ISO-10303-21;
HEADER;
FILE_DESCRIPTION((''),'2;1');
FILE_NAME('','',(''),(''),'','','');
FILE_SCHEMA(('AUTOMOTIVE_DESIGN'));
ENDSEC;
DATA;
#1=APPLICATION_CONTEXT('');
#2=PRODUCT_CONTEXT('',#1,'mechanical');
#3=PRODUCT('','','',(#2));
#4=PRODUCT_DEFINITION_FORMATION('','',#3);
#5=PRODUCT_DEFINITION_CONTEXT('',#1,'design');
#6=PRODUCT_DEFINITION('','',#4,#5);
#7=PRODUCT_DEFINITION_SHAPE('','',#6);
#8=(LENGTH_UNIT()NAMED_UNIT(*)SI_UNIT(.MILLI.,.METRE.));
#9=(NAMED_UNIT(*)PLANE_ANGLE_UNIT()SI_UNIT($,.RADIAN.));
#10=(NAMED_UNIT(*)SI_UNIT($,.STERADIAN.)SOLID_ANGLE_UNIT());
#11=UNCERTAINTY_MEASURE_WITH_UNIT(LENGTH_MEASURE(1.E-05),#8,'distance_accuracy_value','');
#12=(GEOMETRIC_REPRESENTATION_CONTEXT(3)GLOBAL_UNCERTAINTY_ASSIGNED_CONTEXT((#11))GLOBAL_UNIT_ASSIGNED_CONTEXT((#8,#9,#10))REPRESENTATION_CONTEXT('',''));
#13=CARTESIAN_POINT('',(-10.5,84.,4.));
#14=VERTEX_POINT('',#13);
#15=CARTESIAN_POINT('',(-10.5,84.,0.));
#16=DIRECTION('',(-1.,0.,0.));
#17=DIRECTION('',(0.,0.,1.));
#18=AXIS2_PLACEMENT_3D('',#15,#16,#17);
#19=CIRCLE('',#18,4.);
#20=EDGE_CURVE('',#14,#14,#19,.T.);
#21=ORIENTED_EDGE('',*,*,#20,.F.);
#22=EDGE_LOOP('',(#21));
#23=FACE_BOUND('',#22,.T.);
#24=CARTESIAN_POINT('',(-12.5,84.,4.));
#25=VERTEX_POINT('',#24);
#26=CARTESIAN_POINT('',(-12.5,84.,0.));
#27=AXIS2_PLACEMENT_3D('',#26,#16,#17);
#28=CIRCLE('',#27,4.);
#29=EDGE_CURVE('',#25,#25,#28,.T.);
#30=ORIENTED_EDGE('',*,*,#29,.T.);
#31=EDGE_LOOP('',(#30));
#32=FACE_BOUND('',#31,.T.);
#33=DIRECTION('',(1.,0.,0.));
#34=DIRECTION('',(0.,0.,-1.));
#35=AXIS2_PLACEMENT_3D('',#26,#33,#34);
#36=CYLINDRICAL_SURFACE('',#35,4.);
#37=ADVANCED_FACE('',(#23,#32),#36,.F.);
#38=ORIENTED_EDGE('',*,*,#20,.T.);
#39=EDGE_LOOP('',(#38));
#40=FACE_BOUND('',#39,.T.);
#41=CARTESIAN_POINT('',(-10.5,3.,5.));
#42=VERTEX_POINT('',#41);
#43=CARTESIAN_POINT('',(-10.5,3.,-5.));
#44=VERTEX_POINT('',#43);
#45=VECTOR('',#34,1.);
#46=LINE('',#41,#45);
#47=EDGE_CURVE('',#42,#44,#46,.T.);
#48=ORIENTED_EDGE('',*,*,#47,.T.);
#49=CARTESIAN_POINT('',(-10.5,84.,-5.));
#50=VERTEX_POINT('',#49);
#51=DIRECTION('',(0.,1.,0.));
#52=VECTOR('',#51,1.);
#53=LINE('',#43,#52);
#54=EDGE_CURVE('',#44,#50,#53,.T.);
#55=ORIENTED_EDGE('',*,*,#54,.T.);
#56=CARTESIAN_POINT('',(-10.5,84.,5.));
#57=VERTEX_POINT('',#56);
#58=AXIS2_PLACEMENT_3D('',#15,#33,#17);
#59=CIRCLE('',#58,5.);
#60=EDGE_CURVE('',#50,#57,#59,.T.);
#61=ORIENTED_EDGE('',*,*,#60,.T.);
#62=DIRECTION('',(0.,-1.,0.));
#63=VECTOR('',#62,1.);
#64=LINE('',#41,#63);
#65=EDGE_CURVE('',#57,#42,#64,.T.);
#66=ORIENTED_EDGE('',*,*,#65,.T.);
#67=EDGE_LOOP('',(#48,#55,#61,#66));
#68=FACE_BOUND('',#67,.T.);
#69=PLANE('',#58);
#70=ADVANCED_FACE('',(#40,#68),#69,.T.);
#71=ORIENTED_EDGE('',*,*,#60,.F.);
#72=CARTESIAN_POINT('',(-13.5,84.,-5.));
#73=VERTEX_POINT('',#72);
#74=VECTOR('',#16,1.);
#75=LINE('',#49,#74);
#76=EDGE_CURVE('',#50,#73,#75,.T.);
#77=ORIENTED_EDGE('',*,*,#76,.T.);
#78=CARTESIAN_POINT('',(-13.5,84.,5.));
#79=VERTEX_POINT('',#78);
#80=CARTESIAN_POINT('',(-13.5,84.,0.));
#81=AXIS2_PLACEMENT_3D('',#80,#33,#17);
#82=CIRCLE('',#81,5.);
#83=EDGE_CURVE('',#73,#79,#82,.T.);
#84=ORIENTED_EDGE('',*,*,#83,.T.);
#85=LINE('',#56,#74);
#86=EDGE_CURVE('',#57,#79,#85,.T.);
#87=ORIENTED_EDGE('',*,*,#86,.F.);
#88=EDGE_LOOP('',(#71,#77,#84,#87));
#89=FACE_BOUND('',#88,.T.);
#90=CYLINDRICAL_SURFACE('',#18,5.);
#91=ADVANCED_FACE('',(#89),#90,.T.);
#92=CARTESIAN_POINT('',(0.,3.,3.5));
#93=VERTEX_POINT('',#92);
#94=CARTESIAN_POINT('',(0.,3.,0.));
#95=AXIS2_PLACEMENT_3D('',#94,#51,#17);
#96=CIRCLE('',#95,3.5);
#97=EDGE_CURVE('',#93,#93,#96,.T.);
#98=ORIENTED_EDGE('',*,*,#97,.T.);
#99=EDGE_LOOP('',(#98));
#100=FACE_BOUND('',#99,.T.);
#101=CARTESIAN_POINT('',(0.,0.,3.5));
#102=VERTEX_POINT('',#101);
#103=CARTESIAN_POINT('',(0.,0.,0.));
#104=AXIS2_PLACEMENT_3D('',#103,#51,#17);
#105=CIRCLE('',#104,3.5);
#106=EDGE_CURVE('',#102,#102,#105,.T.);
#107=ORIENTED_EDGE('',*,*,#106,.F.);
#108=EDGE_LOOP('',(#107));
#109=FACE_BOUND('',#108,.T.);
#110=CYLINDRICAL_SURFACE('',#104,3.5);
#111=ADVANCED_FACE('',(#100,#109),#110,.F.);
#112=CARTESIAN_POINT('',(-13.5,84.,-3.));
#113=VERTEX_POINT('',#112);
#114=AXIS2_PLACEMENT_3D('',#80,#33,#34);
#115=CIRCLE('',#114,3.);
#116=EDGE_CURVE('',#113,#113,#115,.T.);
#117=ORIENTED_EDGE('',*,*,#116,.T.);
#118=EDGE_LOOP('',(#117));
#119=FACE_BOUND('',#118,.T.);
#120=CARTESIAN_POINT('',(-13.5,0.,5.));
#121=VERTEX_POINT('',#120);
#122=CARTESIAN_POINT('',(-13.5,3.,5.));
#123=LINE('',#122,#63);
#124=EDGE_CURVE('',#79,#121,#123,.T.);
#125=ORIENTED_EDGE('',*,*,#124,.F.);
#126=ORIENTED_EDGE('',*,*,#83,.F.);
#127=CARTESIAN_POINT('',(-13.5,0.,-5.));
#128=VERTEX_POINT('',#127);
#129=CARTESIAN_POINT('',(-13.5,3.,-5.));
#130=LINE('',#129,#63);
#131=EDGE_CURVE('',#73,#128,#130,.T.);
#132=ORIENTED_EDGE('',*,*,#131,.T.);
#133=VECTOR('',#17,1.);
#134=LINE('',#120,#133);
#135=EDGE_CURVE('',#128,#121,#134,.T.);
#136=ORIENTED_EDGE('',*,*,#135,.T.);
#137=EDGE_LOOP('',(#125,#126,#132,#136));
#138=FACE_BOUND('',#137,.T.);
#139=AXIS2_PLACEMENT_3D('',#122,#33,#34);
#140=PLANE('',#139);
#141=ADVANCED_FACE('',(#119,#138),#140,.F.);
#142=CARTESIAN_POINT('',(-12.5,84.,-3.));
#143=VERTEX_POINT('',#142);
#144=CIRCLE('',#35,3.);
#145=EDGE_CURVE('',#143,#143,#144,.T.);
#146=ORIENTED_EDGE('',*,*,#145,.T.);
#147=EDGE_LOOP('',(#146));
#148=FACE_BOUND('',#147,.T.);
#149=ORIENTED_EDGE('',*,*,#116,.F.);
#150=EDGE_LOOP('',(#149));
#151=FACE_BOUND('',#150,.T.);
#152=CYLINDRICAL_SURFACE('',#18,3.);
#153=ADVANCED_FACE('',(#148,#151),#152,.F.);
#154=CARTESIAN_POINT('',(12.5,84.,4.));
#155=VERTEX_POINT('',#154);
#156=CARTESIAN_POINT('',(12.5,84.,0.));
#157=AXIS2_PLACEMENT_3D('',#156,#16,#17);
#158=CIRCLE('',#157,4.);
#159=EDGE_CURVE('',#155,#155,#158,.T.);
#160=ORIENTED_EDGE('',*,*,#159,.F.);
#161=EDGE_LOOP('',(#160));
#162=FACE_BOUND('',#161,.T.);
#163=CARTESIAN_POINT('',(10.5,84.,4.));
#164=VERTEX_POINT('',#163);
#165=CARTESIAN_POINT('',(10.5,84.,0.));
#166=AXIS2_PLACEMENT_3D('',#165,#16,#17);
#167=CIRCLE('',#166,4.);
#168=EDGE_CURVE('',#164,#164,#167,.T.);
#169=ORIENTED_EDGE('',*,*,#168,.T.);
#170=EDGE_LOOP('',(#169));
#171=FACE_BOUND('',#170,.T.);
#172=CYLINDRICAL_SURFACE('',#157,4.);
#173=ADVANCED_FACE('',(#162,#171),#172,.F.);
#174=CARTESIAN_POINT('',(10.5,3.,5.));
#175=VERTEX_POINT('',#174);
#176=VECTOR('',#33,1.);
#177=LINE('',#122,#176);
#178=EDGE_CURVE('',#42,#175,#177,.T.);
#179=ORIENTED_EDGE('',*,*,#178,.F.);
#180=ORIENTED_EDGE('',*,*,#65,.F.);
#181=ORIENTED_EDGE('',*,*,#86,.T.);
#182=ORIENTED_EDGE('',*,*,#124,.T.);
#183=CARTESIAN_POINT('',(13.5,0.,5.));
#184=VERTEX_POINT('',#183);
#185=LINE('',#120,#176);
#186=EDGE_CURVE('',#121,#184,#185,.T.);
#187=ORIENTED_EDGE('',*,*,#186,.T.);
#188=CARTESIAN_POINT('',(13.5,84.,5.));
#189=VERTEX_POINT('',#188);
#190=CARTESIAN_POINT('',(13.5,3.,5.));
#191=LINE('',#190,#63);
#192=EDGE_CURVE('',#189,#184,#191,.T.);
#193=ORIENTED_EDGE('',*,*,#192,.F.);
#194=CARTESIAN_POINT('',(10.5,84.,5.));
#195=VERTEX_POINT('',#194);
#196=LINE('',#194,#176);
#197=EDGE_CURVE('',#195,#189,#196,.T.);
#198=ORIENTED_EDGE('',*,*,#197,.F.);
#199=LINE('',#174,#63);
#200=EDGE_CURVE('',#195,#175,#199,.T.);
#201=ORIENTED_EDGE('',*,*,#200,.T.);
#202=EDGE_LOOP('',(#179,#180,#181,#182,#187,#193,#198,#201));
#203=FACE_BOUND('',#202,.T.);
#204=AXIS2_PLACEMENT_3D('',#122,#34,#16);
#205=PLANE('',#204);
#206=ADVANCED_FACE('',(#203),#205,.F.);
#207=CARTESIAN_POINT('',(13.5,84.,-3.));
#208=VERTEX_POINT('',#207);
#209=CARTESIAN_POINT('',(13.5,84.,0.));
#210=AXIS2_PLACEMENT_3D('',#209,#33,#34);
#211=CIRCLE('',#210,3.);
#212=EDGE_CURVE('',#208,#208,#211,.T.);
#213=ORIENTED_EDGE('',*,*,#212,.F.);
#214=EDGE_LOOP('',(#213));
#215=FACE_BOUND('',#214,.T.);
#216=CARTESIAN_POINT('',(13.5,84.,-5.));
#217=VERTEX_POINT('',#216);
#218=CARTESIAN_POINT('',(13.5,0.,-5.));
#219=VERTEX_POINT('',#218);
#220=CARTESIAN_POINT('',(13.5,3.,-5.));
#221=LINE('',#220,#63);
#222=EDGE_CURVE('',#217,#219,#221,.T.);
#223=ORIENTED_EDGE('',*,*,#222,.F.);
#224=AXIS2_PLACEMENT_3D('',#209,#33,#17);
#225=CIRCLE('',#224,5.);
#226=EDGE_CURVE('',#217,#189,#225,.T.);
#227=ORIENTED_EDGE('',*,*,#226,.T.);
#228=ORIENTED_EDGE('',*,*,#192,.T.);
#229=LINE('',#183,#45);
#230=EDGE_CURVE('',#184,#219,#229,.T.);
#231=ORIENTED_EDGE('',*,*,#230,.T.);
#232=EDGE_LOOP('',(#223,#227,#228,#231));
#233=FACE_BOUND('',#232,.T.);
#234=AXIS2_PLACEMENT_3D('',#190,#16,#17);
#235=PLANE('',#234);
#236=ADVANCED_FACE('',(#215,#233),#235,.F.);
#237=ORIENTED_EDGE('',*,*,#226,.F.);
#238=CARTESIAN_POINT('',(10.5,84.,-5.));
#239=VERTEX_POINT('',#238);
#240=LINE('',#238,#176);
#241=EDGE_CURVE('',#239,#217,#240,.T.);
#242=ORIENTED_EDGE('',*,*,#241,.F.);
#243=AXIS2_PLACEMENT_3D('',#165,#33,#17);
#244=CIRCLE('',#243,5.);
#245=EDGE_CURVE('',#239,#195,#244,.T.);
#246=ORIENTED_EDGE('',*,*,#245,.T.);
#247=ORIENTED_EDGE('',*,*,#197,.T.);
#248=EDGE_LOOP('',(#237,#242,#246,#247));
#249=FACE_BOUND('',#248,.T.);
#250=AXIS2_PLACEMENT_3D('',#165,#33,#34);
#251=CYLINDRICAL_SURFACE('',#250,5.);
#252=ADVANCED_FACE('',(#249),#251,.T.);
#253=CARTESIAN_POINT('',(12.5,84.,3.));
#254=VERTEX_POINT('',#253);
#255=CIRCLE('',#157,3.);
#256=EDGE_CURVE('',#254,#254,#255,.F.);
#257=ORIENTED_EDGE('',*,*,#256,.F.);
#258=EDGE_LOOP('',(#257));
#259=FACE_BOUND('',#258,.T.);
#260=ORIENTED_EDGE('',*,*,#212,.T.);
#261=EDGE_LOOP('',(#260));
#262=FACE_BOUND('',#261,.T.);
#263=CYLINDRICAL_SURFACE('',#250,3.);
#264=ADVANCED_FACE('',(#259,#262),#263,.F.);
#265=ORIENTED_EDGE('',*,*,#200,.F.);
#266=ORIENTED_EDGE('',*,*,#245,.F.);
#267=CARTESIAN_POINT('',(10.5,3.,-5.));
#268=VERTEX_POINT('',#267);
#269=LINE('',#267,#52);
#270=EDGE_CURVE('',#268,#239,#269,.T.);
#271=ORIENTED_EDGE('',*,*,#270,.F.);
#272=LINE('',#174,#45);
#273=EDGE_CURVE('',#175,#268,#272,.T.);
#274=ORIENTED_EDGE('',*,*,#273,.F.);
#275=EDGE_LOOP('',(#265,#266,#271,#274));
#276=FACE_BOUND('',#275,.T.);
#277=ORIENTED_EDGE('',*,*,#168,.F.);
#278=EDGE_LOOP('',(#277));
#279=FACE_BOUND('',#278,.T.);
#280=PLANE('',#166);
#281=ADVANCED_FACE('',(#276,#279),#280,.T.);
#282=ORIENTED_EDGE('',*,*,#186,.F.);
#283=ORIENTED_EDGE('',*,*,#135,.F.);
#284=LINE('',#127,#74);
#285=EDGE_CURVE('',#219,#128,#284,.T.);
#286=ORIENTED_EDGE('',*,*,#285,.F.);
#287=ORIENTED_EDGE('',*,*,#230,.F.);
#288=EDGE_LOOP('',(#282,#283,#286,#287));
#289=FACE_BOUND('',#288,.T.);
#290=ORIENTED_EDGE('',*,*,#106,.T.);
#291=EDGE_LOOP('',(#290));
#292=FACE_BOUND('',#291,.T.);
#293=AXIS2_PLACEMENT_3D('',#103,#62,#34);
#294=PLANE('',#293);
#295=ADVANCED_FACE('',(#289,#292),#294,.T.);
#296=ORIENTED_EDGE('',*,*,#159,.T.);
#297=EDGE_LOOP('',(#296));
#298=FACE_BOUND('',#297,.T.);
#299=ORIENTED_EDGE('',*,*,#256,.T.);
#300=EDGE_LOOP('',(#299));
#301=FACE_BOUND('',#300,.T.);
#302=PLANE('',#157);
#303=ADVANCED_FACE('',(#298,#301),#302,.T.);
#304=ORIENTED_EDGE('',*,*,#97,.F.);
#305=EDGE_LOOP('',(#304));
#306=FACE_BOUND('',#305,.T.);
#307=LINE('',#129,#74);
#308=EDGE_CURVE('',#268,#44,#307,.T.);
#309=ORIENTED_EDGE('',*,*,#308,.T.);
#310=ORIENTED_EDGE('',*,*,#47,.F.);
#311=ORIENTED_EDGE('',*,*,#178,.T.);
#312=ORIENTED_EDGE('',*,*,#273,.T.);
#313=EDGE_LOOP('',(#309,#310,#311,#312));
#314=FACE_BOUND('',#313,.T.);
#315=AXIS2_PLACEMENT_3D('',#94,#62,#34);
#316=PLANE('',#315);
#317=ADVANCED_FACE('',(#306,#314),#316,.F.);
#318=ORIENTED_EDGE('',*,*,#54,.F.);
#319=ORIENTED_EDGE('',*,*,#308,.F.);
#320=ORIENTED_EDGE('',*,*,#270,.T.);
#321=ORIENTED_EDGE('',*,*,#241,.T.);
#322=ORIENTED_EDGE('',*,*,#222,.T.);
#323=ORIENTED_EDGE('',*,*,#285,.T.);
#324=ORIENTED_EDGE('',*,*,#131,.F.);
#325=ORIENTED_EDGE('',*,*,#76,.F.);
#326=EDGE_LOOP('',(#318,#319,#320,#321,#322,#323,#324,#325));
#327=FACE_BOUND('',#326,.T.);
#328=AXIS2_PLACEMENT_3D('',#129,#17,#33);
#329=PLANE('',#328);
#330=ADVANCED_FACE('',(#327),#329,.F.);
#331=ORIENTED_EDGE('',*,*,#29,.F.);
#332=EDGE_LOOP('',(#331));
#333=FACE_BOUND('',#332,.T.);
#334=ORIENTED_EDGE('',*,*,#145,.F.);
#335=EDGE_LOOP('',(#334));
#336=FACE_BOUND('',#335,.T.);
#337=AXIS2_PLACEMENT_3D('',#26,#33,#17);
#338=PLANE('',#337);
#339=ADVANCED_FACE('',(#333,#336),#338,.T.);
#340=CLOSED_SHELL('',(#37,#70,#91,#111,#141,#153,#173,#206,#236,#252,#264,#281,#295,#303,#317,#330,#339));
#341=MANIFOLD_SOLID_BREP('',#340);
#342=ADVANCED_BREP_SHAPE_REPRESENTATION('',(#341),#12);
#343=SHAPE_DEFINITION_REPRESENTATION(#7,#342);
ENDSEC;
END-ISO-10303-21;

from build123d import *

# Parameters (mm, degrees)
SKETCH1_W           = 27
SKETCH1_H           = 10
BOSS_EXTRUDE1_DEPTH = 3
SKETCH5_R           = 3
BOSS_EXTRUDE3_DEPTH = 3
SKETCH6_R           = 1.5
CUT_EXTRUDE1_DEPTH  = 3
SKETCH7_R           = 4
CUT_EXTRUDE2_DEPTH  = 2
SKETCH8_R           = 3.5
CUT_EXTRUDE4_DEPTH  = 88.196616907


with BuildPart() as part:
    # Sketch1 → Boss-Extrude1 (new body)
    with BuildSketch(Plane(origin=(0, 0, 0), x_dir=(1, 0, 0), z_dir=(0, 1, 0))):
        Rectangle(SKETCH1_W, SKETCH1_H)
    boss_extrude1 = extrude(amount=BOSS_EXTRUDE1_DEPTH)

    # Sketch5 → Boss-Extrude3 (add)
    with BuildSketch(Plane(origin=(13.5, 0, 0), x_dir=(0, 0, -1), z_dir=(1, 0, 0))):
        with BuildLine():
            Line((-5, 3), (5, 3))
            Line((5, 3), (5, 84))
            ThreePointArc((5, 84), (0, 89), (-5, 84))
            Line((-5, 84), (-5, 3))
        make_face()
        with Locations((0, 84)):
            Circle(SKETCH5_R, mode=Mode.SUBTRACT)
    boss_extrude3 = extrude(amount=-BOSS_EXTRUDE3_DEPTH)

    # Sketch6 → Cut-Extrude1 (cut)
    with BuildSketch(Plane(origin=(0, 3, 0), x_dir=(1, 0, 0), z_dir=(0, 1, 0))):
        with Locations(Location((0, 0, 0), (0, 0, 270))):
            Circle(SKETCH6_R)
    extrude(amount=-CUT_EXTRUDE1_DEPTH, mode=Mode.SUBTRACT)

    # Sketch7 → Cut-Extrude2 (cut)
    with BuildSketch(Plane.ZY.offset(-10.5)):
        with Locations((0, 84)):
            Circle(SKETCH7_R)
    cut_extrude2 = extrude(amount=-CUT_EXTRUDE2_DEPTH, mode=Mode.SUBTRACT)

    # Mirror3: Boss-Extrude1, Boss-Extrude3, Cut-Extrude2 across plane
    add(boss_extrude1.mirror(Plane(origin=(0, 0, 0), x_dir=(0, 0, 1), z_dir=(1, 0, 0))))
    add(boss_extrude3.mirror(Plane(origin=(0, 0, 0), x_dir=(0, 0, 1), z_dir=(1, 0, 0))))
    add(cut_extrude2.mirror(Plane(origin=(0, 0, 0), x_dir=(0, 0, 1), z_dir=(1, 0, 0))), mode=Mode.SUBTRACT)

    # Sketch8 → Cut-Extrude4 (cut, through all)
    with BuildSketch(Plane(origin=(0, 3, 0), x_dir=(1, 0, 0), z_dir=(0, 1, 0))):
        with Locations(Location((0, 0, 0), (0, 0, 270))):
            Circle(SKETCH8_R)
    extrude(amount=-CUT_EXTRUDE4_DEPTH, mode=Mode.SUBTRACT)


solid = part.part
